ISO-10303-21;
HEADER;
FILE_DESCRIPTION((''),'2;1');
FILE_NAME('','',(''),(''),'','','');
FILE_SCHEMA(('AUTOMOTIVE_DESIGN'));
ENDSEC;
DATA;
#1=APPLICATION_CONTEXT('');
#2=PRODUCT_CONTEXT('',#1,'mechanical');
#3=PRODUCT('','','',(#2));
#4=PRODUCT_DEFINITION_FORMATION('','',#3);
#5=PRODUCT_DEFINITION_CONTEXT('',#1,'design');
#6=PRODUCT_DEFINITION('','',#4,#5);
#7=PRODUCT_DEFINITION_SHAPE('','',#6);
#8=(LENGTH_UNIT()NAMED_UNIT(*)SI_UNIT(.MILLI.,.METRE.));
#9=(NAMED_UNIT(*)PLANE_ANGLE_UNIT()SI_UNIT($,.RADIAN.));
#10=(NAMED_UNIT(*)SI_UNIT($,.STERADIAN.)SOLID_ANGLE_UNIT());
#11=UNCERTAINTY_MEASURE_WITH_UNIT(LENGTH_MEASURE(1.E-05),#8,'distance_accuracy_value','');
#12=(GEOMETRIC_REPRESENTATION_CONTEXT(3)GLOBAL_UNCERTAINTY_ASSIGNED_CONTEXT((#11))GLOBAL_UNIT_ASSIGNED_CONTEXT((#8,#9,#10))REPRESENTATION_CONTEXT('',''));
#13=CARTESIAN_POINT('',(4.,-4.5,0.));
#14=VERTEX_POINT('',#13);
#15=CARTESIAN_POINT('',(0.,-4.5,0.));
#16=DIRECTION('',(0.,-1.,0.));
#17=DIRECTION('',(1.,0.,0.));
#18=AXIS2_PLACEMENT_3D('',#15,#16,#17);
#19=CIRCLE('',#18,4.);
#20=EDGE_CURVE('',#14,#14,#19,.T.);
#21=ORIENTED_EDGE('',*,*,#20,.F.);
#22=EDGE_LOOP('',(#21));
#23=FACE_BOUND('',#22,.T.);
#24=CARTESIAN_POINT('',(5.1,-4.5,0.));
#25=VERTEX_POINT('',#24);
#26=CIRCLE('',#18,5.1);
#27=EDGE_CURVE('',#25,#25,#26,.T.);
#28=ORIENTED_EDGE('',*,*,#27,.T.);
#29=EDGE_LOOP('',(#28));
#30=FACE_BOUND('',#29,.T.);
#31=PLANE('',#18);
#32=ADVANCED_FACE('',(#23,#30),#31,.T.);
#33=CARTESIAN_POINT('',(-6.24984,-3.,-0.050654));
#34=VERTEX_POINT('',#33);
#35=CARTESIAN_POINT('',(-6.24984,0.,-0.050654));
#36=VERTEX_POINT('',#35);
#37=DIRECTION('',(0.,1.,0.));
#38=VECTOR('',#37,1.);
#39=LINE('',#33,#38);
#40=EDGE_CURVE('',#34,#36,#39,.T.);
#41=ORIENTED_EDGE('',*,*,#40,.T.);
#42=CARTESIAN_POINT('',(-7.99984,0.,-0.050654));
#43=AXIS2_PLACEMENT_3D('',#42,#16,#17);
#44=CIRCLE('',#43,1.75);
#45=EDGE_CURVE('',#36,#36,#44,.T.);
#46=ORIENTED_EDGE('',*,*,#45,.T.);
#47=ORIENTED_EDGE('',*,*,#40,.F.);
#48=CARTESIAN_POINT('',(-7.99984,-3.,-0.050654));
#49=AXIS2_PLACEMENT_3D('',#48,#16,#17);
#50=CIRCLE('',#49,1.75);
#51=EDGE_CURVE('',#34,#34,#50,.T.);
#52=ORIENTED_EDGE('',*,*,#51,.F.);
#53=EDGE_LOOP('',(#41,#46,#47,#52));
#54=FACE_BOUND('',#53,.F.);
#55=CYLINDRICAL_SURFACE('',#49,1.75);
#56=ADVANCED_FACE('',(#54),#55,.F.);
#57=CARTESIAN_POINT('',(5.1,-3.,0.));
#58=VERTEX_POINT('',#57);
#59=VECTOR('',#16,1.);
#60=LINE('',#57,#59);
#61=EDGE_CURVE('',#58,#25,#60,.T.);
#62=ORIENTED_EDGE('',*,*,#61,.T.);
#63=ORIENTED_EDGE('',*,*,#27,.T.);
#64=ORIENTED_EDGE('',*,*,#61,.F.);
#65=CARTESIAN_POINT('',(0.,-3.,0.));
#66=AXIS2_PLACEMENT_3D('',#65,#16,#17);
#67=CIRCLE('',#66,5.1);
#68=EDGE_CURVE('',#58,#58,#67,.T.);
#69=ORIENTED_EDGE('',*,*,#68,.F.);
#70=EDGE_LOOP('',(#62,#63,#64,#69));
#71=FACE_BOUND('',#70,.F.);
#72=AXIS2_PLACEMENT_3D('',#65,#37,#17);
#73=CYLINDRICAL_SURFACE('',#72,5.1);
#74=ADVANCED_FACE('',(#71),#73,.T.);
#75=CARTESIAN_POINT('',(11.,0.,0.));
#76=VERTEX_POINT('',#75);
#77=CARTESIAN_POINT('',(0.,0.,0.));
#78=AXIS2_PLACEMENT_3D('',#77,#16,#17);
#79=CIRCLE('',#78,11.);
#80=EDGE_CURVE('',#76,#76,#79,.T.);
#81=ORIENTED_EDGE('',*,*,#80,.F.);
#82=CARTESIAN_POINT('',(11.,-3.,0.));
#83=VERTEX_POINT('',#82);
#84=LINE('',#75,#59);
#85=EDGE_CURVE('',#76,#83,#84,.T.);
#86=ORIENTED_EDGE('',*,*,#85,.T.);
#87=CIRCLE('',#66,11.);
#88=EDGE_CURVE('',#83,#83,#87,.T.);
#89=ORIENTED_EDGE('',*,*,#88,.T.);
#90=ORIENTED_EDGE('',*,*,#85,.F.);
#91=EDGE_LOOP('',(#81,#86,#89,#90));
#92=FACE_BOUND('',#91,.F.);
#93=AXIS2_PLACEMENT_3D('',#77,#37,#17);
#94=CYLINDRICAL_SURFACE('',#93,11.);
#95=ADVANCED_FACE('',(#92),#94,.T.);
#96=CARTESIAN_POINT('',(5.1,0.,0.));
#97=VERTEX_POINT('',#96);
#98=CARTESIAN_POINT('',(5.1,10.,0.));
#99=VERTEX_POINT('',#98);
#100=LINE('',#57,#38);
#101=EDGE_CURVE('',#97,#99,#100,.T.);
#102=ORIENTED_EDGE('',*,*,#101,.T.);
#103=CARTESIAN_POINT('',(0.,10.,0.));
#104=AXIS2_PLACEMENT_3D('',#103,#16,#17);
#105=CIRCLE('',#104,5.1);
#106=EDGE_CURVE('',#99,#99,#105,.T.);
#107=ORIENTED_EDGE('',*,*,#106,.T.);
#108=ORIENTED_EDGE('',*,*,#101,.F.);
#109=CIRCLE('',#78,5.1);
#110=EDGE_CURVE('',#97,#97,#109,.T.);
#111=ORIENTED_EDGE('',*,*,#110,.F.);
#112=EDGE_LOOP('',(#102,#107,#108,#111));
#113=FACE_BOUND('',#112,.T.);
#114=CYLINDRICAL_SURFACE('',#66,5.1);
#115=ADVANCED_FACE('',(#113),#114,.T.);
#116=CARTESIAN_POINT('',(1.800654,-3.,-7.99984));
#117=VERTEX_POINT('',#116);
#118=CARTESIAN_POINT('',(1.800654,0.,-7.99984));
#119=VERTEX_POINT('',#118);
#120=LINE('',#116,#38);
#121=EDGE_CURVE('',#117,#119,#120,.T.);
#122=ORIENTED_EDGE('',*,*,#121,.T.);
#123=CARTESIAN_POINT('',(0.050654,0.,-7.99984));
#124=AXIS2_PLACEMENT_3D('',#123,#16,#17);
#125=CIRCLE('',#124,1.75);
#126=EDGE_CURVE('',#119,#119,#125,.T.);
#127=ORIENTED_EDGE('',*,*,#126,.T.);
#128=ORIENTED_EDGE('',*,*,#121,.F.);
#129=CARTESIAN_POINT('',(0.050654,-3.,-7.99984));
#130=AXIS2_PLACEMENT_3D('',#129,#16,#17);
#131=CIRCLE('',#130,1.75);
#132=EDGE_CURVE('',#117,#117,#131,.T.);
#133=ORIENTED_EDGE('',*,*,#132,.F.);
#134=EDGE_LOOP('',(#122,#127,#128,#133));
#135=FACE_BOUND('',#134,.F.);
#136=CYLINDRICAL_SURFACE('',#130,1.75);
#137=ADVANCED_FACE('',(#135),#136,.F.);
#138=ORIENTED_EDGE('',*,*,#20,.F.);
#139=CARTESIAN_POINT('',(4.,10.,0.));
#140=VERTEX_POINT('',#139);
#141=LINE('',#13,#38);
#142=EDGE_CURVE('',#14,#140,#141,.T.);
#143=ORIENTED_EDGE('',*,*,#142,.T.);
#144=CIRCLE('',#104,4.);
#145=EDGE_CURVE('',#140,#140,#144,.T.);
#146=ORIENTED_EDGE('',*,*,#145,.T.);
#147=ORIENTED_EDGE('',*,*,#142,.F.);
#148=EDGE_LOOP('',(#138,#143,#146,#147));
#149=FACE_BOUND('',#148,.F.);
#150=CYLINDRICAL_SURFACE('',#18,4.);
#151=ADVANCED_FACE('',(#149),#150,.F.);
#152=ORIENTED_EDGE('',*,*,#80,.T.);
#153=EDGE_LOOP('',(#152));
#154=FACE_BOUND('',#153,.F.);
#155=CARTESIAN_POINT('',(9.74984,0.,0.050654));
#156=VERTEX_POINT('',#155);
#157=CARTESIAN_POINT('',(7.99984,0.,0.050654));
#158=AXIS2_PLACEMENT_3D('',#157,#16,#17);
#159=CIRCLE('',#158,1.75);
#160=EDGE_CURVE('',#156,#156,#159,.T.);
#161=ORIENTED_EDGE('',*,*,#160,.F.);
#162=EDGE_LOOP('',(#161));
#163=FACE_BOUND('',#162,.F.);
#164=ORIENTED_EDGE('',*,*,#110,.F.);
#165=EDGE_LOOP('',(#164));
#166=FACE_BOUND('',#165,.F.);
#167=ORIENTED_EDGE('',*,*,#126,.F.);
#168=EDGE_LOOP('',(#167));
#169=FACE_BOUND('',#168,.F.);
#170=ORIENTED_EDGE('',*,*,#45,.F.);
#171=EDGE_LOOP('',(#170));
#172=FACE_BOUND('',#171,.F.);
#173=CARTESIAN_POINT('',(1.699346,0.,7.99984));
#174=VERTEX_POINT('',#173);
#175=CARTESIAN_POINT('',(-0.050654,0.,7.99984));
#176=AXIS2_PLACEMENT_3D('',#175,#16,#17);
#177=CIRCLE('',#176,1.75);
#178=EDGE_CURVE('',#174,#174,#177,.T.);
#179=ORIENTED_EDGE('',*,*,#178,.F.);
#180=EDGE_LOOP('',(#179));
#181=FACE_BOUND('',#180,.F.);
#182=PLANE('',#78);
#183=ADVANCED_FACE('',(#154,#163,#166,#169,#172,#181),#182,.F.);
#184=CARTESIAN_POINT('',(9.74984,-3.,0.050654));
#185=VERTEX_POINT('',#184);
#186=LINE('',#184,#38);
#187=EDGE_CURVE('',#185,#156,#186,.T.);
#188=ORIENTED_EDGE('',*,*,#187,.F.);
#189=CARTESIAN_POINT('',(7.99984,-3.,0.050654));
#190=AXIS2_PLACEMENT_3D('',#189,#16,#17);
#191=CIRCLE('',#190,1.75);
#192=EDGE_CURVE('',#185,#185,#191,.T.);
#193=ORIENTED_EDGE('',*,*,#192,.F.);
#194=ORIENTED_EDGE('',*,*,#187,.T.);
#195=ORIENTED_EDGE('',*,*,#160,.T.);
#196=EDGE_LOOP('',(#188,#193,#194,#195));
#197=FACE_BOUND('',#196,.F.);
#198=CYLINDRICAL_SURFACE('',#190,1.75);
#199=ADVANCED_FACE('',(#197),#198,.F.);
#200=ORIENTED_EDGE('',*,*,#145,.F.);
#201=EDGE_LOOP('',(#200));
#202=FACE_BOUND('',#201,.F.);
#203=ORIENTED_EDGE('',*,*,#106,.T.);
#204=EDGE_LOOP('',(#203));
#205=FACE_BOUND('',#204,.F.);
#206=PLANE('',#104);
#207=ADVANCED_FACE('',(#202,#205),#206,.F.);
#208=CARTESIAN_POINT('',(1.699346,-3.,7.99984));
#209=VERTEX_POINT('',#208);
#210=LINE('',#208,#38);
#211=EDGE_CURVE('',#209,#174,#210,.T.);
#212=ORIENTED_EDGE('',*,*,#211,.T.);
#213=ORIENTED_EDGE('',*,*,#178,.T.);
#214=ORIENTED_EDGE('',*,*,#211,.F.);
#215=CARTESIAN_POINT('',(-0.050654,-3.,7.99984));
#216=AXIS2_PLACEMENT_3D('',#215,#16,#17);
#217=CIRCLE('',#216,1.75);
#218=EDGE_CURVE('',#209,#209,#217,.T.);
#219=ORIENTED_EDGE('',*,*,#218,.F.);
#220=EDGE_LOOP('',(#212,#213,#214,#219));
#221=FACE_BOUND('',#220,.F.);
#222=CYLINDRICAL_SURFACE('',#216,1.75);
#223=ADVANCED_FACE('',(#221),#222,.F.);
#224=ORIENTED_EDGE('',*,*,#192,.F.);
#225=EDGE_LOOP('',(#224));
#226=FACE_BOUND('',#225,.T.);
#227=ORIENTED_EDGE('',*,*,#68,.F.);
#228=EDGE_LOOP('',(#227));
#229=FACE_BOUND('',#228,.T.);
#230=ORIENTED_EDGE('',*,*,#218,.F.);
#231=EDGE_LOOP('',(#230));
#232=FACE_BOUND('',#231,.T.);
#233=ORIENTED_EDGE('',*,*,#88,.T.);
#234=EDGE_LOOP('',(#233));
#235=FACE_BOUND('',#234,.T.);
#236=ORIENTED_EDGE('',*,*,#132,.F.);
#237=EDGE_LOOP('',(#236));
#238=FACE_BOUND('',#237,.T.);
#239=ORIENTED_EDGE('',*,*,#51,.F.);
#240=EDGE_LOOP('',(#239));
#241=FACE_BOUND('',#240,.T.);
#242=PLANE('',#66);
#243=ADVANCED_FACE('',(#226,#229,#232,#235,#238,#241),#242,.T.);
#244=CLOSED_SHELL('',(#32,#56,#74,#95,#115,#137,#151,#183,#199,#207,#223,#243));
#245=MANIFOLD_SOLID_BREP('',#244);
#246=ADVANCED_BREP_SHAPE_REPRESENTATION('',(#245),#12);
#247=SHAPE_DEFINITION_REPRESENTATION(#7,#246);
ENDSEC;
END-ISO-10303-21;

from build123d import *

# Parameters (mm, degrees)
F0_R          = 11
F1_DEPTH      = 3
F2_R          = 5.1
F3_DEPTH      = 1.5
F3_DEPTH_BACK = 13
F4_R          = 4
F5_DEPTH      = 25
F6_R          = 1.75
F7_DEPTH      = 25


with BuildPart() as f1:
    # F0 (on Front) → F1 (new body)
    with BuildSketch(Plane.XZ):
        Circle(F0_R)
    extrude(amount=F1_DEPTH)

    # F2 (on face) → F3 (join, two sides)
    with BuildSketch(Plane.XZ.offset(3)) as f3_sk:
        Circle(F2_R)
    extrude(amount=F3_DEPTH)
    extrude(f3_sk.sketch, amount=-F3_DEPTH_BACK)

    # F4 (on face) → F5 (cut)
    with BuildSketch(Plane.XZ.offset(4.5)):
        Circle(F4_R)
    extrude(amount=-F5_DEPTH, mode=Mode.SUBTRACT)

    # F6 (on face) → F7 (cut)
    with BuildSketch(Plane.XZ.offset(3)):
        with Locations((-0.050654, 7.99984)):
            Circle(F6_R)
        with Locations((7.99984, 0.050654)):
            Circle(F6_R)
        with Locations((0.050654, -7.99984)):
            Circle(F6_R)
        with Locations((-7.99984, -0.050654)):
            Circle(F6_R)
    extrude(amount=-F7_DEPTH, mode=Mode.SUBTRACT)


solid = f1.part
